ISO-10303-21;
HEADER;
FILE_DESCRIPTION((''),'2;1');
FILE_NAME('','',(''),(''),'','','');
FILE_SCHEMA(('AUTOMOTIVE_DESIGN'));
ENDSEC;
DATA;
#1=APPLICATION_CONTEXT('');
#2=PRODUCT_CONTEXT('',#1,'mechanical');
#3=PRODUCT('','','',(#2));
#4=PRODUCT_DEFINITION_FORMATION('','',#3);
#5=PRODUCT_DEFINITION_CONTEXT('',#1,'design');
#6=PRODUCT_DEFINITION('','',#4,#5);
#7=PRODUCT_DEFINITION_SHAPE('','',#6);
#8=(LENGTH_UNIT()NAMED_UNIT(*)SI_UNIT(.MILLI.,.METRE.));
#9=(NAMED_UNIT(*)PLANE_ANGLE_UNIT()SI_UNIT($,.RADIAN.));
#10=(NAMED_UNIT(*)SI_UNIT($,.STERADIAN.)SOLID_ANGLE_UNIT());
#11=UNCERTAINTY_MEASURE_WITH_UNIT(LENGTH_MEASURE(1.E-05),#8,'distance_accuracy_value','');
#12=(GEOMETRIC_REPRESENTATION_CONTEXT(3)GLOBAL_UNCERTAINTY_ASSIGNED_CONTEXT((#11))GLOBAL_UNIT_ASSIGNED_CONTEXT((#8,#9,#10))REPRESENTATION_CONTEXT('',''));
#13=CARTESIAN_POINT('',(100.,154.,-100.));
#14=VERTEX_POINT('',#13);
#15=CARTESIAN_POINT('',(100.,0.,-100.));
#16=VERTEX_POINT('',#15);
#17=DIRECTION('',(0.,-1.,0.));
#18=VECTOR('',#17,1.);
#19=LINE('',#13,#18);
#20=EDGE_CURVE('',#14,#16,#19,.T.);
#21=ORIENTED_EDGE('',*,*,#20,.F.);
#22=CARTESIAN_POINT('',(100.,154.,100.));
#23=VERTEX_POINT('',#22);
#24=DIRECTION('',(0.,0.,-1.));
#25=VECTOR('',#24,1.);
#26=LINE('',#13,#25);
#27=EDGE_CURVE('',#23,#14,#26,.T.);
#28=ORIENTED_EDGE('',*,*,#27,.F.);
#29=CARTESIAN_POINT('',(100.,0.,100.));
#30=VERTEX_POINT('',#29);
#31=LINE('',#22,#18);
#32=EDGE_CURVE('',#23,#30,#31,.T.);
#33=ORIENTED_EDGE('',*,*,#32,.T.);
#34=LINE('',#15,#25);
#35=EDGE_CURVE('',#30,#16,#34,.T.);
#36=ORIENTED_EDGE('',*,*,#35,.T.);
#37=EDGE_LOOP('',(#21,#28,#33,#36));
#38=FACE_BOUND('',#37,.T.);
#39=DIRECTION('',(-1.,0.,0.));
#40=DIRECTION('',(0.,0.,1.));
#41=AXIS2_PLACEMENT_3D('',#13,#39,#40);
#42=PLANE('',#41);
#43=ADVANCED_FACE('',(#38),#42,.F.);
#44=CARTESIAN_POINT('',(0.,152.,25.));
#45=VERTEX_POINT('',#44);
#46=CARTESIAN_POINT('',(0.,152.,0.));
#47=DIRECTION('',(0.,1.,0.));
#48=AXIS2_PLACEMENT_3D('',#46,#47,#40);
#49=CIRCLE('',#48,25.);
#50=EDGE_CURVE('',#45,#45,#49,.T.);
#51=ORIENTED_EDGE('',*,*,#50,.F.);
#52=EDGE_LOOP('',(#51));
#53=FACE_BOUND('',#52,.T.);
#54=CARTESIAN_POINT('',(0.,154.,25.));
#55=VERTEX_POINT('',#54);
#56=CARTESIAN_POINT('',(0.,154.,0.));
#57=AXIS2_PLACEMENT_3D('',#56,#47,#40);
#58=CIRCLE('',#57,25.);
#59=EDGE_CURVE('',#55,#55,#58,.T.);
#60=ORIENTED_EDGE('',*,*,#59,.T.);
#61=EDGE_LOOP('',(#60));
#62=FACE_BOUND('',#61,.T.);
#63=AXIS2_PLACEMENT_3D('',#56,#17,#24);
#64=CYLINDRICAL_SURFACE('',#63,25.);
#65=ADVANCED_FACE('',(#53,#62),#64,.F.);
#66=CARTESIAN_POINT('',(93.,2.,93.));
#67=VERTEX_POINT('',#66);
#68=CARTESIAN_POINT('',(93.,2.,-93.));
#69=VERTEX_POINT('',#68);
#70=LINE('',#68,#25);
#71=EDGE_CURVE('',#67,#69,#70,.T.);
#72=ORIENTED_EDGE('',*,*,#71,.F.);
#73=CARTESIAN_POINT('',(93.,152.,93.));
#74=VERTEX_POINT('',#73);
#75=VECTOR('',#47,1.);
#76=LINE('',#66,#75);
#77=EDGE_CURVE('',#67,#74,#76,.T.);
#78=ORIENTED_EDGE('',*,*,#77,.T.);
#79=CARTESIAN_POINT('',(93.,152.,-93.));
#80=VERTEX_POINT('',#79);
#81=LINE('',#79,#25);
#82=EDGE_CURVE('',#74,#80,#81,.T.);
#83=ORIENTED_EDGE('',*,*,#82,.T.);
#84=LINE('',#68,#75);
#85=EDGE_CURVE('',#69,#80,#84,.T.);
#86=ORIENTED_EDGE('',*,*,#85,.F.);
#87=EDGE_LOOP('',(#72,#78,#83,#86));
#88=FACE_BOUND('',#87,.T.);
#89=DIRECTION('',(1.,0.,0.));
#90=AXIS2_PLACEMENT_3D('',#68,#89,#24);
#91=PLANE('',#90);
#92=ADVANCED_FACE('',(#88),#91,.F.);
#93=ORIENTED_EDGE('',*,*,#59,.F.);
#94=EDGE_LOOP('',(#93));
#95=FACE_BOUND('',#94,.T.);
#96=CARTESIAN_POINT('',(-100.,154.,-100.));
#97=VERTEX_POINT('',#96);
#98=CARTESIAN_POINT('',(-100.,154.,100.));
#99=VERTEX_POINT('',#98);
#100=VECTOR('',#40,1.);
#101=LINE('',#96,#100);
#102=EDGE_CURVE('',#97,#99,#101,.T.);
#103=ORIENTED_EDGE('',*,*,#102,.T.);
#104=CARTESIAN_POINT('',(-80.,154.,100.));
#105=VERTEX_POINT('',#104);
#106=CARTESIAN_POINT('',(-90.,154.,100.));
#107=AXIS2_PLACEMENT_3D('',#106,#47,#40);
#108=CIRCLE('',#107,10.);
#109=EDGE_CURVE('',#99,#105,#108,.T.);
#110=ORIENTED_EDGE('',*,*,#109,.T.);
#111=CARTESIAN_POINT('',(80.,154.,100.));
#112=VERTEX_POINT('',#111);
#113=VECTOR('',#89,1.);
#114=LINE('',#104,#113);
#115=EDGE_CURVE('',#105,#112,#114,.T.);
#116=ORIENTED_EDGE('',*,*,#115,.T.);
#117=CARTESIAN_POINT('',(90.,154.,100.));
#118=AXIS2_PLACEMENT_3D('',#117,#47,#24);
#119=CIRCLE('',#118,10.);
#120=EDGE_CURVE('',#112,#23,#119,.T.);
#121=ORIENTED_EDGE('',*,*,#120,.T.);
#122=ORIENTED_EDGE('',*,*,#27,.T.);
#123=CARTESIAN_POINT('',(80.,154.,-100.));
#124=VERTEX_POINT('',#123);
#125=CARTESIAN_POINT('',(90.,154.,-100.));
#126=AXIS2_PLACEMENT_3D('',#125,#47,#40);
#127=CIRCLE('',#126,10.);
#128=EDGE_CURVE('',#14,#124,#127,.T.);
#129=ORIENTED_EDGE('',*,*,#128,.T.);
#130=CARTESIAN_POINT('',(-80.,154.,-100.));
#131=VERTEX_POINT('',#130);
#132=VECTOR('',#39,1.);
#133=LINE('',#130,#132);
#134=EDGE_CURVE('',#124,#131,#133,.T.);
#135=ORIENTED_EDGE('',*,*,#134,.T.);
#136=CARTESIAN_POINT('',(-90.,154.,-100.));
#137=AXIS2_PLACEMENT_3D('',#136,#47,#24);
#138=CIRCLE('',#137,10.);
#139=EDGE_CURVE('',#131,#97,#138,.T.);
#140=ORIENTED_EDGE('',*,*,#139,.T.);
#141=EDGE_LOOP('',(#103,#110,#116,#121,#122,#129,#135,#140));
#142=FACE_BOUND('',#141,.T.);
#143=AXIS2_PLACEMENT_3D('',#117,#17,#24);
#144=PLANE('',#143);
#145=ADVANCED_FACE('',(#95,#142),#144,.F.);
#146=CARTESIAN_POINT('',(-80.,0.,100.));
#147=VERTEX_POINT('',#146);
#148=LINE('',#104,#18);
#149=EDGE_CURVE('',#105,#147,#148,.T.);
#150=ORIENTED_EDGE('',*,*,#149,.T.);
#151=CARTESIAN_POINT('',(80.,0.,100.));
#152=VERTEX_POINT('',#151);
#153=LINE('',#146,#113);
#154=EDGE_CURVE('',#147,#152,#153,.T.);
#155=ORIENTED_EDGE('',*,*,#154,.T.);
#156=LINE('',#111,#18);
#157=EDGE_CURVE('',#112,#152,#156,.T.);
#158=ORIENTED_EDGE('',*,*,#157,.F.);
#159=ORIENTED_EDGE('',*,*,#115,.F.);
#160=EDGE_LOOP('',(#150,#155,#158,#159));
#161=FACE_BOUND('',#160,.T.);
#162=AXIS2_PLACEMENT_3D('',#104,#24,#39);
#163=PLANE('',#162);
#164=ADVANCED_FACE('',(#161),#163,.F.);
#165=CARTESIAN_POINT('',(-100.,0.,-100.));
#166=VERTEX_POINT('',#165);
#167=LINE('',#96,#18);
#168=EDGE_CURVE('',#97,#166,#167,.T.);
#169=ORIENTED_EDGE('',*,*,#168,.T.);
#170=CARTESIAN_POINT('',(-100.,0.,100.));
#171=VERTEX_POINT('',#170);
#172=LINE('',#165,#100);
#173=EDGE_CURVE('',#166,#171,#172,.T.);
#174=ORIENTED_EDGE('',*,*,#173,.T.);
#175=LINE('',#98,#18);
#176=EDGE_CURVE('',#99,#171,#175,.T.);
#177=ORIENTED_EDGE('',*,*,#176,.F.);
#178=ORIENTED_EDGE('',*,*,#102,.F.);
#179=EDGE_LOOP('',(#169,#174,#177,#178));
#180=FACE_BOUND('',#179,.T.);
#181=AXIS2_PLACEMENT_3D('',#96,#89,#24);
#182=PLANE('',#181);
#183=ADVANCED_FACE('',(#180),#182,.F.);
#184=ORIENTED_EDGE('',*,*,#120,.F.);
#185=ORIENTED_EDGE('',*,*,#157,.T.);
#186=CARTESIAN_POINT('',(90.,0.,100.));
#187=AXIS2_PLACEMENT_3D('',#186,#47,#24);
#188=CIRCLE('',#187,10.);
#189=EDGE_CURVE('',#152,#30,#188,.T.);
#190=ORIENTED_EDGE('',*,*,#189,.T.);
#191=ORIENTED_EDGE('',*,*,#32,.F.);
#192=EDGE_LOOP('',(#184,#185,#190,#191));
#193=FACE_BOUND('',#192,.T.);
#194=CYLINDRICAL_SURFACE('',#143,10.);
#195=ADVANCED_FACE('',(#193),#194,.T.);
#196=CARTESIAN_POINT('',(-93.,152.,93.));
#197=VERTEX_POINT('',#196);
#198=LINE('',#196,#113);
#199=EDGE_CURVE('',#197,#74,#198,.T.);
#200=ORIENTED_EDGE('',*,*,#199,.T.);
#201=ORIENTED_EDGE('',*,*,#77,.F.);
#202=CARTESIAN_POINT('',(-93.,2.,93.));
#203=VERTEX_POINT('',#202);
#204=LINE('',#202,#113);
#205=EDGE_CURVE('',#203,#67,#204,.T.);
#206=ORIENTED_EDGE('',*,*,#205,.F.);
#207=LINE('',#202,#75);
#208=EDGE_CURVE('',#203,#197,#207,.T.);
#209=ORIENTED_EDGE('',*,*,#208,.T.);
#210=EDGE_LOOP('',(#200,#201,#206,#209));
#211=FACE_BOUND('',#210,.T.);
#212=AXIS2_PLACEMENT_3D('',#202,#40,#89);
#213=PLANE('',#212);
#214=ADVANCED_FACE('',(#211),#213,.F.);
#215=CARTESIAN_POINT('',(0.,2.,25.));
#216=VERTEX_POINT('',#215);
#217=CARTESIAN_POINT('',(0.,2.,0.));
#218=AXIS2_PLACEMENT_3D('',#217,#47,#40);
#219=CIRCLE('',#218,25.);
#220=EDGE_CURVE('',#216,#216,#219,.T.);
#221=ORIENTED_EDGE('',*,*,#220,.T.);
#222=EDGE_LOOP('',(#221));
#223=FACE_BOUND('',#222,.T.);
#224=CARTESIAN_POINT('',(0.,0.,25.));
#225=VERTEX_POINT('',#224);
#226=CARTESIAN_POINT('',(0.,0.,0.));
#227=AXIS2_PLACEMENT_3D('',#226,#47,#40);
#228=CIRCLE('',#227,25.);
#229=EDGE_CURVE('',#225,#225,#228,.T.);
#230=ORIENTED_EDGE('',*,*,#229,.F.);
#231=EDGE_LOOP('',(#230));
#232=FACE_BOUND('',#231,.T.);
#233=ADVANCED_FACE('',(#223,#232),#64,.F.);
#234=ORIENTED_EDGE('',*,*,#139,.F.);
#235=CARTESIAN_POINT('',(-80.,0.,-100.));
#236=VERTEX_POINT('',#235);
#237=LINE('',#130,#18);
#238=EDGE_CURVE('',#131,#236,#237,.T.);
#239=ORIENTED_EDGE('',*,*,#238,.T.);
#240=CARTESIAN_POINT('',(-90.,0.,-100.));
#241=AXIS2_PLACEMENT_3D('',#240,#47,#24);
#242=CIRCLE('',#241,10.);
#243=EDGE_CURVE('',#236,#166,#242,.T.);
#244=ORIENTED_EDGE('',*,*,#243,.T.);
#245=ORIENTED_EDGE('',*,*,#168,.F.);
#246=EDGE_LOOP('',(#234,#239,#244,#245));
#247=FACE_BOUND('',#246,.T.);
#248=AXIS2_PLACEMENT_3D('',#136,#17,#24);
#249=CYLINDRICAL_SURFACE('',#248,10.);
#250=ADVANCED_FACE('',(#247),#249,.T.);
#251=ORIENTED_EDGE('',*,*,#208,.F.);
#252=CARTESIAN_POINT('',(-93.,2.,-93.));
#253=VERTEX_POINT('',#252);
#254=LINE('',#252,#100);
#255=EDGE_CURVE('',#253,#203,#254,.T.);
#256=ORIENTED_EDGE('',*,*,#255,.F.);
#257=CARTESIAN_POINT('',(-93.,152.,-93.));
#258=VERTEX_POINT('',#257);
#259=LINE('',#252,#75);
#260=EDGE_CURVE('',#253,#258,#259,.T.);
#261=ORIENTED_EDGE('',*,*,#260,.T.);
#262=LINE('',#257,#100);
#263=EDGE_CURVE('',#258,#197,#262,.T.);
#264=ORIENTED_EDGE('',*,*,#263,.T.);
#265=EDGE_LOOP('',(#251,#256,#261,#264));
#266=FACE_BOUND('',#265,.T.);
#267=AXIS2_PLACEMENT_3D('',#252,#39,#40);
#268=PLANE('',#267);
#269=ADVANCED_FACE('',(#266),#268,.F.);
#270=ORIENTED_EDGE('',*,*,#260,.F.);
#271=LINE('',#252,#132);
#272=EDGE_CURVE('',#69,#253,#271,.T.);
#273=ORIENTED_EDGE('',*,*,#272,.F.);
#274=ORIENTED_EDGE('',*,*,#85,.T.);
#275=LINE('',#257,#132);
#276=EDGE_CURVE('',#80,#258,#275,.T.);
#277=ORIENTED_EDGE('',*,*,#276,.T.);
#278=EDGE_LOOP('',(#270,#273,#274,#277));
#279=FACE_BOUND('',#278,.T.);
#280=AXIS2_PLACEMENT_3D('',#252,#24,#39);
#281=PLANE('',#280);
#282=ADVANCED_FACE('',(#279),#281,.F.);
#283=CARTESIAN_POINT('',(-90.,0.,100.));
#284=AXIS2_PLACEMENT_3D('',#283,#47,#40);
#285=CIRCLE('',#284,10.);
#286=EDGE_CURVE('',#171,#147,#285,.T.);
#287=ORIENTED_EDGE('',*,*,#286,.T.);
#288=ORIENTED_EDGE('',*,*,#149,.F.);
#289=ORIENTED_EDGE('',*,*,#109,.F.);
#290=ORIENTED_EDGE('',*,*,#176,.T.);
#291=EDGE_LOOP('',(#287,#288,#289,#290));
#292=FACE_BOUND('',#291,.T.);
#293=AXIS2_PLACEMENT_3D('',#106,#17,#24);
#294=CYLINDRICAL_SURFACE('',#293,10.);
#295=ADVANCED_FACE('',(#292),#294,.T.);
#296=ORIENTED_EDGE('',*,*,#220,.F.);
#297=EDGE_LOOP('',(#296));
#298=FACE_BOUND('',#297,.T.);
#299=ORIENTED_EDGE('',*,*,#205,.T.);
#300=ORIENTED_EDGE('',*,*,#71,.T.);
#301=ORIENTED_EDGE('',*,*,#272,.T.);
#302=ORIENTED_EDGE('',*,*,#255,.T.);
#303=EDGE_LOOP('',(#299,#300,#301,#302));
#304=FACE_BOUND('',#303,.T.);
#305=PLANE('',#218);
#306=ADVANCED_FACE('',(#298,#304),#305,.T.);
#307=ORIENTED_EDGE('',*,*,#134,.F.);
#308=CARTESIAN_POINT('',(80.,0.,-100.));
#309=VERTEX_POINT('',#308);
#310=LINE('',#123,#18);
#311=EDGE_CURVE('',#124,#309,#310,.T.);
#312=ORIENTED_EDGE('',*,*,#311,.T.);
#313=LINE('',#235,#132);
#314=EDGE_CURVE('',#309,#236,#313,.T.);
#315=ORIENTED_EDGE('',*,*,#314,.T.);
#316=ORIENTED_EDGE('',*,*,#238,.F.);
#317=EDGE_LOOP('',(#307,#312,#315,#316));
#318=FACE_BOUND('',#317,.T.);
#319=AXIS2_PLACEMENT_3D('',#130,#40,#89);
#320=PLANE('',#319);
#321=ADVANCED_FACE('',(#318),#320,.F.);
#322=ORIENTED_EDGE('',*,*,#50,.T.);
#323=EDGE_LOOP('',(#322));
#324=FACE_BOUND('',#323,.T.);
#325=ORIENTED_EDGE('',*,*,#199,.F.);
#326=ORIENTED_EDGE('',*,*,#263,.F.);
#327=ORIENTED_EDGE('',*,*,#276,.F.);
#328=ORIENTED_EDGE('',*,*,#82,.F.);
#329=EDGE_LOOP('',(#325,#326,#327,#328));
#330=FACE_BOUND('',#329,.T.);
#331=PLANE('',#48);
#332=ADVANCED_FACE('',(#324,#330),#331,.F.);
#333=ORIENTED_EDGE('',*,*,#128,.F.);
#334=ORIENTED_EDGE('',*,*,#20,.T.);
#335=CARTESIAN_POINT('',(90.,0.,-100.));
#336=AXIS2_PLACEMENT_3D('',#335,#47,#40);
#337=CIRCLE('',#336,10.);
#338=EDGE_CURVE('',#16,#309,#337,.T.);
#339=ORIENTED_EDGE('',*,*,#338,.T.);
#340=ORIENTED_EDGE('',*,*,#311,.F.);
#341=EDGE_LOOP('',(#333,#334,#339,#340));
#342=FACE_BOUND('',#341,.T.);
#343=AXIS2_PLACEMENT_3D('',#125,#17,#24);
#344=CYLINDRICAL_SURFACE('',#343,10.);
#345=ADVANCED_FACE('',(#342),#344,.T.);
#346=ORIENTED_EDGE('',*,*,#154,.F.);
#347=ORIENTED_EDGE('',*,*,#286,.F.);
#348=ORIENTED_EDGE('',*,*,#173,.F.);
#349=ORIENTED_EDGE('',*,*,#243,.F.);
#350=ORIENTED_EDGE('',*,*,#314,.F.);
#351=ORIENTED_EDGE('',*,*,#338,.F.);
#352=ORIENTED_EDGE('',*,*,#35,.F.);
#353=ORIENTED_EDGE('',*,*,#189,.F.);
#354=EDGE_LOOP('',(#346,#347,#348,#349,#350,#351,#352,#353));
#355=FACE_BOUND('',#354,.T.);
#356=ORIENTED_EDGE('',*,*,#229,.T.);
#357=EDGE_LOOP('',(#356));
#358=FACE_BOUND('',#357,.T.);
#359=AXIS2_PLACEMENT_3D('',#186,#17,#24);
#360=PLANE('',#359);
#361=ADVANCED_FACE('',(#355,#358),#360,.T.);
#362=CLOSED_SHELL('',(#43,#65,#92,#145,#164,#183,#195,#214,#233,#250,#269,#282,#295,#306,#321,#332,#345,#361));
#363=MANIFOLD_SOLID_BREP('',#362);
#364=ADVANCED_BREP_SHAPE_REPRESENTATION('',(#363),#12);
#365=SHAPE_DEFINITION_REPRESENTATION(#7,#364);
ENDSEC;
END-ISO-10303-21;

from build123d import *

# Parameters (mm, degrees)
SKETCH1_R           = 25
BOSS_EXTRUDE1_DEPTH = 154
SKETCH2_W           = 186
SKETCH2_H           = 186
CUT_EXTRUDE1_DEPTH  = 150


with BuildPart() as part:
    # Sketch1 → Boss-Extrude1 (new body)
    with BuildSketch(Plane(origin=(0, 0, 0), x_dir=(1, 0, 0), z_dir=(0, 1, 0))):
        with BuildLine():
            Line((-80, 100), (80, 100))
            ThreePointArc((80, 100), (90, 110), (100, 100))
            Line((100, 100), (100, -100))
            ThreePointArc((100, -100), (90, -110), (80, -100))
            Line((80, -100), (-80, -100))
            ThreePointArc((-80, -100), (-90, -110), (-100, -100))
            Line((-100, -100), (-100, 100))
            ThreePointArc((-100, 100), (-90, 110), (-80, 100))
        make_face()
        Circle(SKETCH1_R, mode=Mode.SUBTRACT)
    extrude(amount=BOSS_EXTRUDE1_DEPTH)

    # Sketch2 → Cut-Extrude1 (cut)
    with BuildSketch(Plane(origin=(0, 152, 0), x_dir=(1, 0, 0), z_dir=(0, 1, 0))):
        Rectangle(SKETCH2_W, SKETCH2_H)
    extrude(amount=-CUT_EXTRUDE1_DEPTH, mode=Mode.SUBTRACT)


solid = part.part
